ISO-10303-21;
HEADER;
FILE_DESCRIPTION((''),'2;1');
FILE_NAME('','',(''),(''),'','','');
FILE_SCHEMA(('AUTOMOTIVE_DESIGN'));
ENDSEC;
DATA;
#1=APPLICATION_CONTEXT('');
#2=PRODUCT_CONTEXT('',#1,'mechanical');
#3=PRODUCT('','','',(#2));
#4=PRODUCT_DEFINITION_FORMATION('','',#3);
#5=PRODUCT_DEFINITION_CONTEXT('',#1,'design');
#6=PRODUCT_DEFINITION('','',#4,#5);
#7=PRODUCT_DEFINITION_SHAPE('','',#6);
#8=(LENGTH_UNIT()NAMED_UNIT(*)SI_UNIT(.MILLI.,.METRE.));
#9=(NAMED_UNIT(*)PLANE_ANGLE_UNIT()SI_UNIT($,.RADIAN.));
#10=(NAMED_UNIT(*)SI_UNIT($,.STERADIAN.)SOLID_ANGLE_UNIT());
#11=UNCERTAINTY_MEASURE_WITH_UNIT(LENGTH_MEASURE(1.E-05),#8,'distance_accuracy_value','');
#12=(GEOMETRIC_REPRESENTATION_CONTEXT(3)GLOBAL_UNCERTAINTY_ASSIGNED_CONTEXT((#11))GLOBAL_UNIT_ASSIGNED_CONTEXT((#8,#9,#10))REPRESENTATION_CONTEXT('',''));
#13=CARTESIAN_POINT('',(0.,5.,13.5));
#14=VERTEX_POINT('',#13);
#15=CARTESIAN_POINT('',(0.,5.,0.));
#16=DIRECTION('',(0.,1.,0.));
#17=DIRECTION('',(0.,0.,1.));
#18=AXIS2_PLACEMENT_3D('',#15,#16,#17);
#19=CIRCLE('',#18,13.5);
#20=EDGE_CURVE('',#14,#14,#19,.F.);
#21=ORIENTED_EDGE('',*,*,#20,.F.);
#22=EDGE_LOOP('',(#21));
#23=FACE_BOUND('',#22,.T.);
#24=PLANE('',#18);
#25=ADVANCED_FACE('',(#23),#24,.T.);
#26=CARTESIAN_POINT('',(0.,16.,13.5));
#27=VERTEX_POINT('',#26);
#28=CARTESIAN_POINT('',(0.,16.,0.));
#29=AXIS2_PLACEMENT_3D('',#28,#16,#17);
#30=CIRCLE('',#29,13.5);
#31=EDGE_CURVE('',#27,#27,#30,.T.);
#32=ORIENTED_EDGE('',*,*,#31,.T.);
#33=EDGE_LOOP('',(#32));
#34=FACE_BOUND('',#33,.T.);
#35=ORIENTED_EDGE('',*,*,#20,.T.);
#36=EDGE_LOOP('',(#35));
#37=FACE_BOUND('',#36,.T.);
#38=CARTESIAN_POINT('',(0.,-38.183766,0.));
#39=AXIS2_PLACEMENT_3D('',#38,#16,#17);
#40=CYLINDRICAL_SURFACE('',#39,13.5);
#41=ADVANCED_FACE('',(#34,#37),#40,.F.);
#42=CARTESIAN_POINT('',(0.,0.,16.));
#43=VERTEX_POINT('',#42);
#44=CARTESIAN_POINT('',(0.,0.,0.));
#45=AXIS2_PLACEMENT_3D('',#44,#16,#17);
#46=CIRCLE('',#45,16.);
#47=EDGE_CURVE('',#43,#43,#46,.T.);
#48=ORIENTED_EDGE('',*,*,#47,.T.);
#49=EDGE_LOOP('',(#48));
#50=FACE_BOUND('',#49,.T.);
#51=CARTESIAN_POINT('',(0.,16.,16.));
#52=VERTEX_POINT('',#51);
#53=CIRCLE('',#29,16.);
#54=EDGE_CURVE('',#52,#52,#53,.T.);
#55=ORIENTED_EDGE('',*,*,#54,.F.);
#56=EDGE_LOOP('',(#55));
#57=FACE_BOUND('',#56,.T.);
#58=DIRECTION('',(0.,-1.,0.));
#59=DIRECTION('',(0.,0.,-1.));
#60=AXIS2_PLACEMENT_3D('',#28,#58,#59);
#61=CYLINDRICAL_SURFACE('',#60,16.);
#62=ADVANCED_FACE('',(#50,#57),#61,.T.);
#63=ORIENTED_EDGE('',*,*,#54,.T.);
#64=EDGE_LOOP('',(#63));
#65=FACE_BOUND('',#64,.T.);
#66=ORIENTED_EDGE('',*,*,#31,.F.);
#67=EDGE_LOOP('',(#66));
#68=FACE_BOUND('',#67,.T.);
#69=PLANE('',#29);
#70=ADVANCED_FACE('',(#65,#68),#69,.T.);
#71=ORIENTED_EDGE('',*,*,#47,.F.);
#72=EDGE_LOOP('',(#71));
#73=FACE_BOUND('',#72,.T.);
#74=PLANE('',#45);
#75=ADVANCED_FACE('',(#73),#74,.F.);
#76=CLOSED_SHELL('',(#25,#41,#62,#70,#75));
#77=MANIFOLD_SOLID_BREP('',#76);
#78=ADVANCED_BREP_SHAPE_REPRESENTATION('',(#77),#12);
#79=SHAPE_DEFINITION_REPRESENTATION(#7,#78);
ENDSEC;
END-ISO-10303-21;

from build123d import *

# Parameters (mm, degrees)
SKETCH1_R           = 16
BOSS_EXTRUDE1_DEPTH = 16
SKETCH2_R           = 13.5
CUT_EXTRUDE1_DEPTH  = 11


with BuildPart() as part:
    # Sketch1 → Boss-Extrude1 (new body)
    with BuildSketch(Plane(origin=(0, 0, 0), x_dir=(1, 0, 0), z_dir=(0, 1, 0))):
        with Locations(Location((0, 0, 0), (0, 0, 270))):
            Circle(SKETCH1_R)
    extrude(amount=BOSS_EXTRUDE1_DEPTH)

    # Sketch2 → Cut-Extrude1 (cut)
    with BuildSketch(Plane(origin=(0, 16, 0), x_dir=(1, 0, 0), z_dir=(0, 1, 0))):
        with Locations(Location((0, 0, 0), (0, 0, 270))):
            Circle(SKETCH2_R)
    extrude(amount=-CUT_EXTRUDE1_DEPTH, mode=Mode.SUBTRACT)


solid = part.part
